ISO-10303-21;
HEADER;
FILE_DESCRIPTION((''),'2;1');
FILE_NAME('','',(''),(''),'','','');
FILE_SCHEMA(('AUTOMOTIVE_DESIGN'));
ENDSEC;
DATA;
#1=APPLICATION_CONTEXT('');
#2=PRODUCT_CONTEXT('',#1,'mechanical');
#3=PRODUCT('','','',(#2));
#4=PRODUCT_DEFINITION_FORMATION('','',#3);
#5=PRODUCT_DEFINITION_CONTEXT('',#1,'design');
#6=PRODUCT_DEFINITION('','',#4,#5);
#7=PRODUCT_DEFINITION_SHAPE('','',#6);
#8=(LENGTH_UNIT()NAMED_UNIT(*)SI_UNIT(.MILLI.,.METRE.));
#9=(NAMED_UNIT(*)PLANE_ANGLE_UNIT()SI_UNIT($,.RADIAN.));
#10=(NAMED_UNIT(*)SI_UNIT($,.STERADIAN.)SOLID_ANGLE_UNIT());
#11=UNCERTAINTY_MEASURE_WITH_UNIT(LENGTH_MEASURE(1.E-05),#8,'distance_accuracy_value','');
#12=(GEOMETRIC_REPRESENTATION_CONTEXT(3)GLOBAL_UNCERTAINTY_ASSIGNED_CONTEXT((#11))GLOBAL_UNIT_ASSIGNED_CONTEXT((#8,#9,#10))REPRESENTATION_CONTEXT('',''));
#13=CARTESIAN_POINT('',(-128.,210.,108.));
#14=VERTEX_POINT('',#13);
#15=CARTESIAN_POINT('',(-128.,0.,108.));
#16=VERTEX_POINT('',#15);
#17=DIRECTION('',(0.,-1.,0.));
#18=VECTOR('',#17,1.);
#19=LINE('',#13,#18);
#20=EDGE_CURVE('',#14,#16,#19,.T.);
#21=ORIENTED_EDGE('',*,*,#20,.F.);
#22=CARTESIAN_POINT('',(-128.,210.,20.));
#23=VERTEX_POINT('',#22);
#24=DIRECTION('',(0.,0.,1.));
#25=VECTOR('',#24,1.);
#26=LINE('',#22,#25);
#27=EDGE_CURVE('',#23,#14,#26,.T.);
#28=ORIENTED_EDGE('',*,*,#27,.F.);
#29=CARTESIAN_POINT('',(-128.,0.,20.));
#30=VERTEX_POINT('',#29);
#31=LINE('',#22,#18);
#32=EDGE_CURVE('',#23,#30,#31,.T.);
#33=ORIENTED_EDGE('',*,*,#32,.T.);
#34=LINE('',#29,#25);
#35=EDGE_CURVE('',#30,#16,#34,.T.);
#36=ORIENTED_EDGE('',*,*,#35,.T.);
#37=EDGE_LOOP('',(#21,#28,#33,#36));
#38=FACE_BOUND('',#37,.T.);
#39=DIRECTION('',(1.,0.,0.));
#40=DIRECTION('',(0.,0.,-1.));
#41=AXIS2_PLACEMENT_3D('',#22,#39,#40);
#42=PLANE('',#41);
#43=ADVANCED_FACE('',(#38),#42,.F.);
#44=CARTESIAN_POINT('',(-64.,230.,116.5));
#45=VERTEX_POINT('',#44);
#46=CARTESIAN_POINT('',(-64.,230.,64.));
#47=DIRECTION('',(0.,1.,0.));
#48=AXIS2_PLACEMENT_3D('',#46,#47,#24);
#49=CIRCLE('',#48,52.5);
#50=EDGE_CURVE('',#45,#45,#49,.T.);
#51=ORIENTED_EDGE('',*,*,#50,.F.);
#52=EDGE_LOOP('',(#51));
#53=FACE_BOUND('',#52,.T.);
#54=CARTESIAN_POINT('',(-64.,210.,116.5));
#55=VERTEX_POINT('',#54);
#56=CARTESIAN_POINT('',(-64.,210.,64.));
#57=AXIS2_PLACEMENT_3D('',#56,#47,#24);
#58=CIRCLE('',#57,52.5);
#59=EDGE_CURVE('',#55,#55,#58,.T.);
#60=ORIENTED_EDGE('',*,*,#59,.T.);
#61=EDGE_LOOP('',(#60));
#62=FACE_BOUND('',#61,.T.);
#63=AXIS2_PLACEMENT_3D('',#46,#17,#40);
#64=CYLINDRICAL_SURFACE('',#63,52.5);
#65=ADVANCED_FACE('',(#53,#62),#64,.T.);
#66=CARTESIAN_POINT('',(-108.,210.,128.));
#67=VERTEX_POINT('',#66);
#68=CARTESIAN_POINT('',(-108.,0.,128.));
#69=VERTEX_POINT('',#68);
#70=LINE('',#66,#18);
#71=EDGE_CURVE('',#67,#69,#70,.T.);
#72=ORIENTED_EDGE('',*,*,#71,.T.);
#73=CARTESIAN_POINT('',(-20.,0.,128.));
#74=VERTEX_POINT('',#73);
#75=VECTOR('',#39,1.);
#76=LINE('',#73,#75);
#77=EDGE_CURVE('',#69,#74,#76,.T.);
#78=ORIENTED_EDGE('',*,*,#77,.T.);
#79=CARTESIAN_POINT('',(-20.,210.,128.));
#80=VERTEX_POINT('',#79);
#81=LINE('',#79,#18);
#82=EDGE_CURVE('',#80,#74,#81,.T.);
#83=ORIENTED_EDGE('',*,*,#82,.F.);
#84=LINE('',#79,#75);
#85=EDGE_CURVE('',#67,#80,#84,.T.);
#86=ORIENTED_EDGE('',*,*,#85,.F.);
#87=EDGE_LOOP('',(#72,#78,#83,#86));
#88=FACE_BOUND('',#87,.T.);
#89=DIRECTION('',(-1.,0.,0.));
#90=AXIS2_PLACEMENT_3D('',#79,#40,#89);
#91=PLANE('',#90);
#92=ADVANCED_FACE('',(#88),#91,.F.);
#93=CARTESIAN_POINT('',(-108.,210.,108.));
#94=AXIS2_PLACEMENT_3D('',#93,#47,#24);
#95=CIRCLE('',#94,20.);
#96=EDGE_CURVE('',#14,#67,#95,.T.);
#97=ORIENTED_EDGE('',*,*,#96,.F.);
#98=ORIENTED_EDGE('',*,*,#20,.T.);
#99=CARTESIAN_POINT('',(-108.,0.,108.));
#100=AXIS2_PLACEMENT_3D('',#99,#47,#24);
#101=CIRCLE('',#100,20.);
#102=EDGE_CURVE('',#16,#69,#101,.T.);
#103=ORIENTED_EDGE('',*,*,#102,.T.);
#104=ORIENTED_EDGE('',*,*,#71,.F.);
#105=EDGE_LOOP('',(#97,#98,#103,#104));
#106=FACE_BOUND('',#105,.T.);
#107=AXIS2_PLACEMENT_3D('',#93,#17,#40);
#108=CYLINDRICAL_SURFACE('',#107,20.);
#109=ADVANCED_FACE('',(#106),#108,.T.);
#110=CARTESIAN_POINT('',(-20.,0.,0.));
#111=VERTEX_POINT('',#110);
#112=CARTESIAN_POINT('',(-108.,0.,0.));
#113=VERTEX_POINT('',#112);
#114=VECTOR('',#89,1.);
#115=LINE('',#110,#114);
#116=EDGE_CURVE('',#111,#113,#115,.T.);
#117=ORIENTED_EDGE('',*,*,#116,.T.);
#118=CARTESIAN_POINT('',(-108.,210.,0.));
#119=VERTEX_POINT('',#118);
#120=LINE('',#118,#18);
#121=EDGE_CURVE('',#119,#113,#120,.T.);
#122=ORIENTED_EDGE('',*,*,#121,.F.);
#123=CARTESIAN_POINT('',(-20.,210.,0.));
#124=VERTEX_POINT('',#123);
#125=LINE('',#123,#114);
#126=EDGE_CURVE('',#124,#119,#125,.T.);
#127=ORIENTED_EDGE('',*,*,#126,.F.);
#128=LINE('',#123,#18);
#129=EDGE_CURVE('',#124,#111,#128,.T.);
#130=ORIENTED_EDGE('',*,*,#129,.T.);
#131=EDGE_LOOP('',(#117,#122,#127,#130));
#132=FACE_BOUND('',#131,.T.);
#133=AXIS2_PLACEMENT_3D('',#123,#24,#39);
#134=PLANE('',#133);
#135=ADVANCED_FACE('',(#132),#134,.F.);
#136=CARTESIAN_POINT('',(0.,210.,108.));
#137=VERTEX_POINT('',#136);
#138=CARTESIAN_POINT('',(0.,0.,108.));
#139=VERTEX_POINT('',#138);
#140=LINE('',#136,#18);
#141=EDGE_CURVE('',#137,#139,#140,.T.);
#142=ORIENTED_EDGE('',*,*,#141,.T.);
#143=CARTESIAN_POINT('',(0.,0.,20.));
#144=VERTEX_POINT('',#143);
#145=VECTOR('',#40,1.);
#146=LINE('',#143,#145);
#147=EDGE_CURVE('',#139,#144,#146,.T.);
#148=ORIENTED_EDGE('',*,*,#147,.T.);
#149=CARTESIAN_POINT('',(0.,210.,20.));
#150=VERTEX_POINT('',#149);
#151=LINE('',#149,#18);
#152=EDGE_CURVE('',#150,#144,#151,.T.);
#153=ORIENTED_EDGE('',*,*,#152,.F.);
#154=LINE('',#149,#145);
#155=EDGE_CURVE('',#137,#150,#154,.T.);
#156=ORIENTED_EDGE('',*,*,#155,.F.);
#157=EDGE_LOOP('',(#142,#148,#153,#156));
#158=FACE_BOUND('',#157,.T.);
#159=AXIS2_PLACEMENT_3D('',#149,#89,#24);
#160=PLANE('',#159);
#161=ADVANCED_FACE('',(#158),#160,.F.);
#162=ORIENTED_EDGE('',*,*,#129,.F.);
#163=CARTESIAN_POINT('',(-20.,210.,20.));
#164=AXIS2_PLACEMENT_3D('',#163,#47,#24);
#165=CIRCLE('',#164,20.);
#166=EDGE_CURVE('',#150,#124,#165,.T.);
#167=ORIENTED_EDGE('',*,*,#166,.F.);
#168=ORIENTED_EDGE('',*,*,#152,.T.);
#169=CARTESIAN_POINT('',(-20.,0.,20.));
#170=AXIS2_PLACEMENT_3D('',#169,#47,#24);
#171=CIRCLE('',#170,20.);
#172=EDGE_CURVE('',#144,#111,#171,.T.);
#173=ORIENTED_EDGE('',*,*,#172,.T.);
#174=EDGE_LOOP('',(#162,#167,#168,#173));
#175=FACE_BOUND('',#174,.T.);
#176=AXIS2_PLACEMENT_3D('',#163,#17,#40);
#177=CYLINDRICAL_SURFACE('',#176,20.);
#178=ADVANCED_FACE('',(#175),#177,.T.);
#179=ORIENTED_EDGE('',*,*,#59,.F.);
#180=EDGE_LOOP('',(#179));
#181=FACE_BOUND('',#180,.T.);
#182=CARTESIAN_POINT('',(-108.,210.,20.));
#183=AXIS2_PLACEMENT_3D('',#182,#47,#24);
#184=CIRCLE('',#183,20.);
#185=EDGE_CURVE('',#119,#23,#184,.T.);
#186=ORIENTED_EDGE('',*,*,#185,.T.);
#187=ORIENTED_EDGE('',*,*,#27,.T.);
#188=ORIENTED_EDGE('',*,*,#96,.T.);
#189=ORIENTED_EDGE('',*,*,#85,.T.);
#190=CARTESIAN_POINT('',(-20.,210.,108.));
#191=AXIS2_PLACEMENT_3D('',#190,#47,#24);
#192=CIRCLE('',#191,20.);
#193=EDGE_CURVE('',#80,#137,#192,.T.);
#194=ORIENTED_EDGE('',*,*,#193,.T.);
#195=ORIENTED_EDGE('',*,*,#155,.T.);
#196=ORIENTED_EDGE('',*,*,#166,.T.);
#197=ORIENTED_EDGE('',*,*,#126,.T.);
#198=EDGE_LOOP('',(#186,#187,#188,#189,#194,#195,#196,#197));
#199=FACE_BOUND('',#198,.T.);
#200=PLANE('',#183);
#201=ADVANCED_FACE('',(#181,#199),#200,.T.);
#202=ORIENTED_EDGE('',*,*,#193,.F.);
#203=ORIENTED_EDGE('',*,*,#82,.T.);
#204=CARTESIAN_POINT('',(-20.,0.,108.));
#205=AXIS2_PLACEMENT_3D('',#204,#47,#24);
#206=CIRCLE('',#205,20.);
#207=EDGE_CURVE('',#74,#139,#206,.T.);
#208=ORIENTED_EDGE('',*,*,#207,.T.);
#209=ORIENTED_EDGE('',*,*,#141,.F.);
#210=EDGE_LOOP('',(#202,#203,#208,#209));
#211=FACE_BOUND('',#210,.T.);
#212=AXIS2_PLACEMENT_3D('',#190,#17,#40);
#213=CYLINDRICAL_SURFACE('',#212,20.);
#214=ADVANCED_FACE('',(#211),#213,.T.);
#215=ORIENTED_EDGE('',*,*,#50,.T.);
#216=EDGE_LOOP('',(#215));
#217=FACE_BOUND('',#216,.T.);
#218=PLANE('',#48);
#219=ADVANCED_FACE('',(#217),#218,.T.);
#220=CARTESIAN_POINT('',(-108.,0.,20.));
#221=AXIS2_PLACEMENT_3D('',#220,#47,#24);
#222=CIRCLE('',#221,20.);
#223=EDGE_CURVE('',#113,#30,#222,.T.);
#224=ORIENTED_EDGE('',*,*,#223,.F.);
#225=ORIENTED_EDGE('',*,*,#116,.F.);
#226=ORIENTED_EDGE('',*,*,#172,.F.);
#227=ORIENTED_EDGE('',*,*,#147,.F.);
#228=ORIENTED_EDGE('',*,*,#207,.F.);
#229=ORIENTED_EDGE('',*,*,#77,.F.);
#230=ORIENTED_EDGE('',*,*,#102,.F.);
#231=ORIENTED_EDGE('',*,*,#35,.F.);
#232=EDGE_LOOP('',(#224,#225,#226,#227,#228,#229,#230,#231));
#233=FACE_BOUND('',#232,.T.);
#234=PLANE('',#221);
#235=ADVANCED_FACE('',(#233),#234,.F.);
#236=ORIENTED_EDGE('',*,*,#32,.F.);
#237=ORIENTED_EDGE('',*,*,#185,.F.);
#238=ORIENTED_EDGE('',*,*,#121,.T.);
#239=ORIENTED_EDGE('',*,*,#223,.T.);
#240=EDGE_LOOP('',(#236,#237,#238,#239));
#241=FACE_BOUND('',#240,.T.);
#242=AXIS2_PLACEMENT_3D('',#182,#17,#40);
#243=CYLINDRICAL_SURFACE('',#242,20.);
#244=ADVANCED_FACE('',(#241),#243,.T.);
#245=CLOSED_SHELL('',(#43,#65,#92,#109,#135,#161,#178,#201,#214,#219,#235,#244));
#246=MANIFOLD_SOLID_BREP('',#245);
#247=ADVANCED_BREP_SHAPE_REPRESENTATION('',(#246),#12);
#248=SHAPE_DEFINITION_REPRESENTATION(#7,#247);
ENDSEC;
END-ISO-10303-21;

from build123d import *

# Parameters (mm, degrees)
BOSS_EXTRUDE1_DEPTH = 210
SKETCH2_R           = 52.5
BOSS_EXTRUDE2_DEPTH = 20


with BuildPart() as part:
    # Sketch1 → Boss-Extrude1 (new body)
    with BuildSketch(Plane(origin=(0, 0, 0), x_dir=(1, 0, 0), z_dir=(0, 1, 0))):
        with BuildLine():
            Line((-20, 0), (-108, 0))
            ThreePointArc((-108, 0), (-122.142135624, -5.857864376), (-128, -20))
            Line((-128, -20), (-128, -108))
            ThreePointArc((-128, -108), (-122.142135624, -122.142135624), (-108, -128))
            Line((-108, -128), (-20, -128))
            ThreePointArc((-20, -128), (-5.857864376, -122.142135624), (0, -108))
            Line((0, -108), (0, -20))
            ThreePointArc((0, -20), (-5.857864376, -5.857864376), (-20, 0))
        make_face()
    extrude(amount=BOSS_EXTRUDE1_DEPTH)

    # Sketch2 → Boss-Extrude2 (add)
    with BuildSketch(Plane(origin=(0, 210, 0), x_dir=(1, 0, 0), z_dir=(0, 1, 0))):
        with Locations(Location((-64, -64, 0), (0, 0, 270))):
            Circle(SKETCH2_R)
    extrude(amount=BOSS_EXTRUDE2_DEPTH)


solid = part.part
